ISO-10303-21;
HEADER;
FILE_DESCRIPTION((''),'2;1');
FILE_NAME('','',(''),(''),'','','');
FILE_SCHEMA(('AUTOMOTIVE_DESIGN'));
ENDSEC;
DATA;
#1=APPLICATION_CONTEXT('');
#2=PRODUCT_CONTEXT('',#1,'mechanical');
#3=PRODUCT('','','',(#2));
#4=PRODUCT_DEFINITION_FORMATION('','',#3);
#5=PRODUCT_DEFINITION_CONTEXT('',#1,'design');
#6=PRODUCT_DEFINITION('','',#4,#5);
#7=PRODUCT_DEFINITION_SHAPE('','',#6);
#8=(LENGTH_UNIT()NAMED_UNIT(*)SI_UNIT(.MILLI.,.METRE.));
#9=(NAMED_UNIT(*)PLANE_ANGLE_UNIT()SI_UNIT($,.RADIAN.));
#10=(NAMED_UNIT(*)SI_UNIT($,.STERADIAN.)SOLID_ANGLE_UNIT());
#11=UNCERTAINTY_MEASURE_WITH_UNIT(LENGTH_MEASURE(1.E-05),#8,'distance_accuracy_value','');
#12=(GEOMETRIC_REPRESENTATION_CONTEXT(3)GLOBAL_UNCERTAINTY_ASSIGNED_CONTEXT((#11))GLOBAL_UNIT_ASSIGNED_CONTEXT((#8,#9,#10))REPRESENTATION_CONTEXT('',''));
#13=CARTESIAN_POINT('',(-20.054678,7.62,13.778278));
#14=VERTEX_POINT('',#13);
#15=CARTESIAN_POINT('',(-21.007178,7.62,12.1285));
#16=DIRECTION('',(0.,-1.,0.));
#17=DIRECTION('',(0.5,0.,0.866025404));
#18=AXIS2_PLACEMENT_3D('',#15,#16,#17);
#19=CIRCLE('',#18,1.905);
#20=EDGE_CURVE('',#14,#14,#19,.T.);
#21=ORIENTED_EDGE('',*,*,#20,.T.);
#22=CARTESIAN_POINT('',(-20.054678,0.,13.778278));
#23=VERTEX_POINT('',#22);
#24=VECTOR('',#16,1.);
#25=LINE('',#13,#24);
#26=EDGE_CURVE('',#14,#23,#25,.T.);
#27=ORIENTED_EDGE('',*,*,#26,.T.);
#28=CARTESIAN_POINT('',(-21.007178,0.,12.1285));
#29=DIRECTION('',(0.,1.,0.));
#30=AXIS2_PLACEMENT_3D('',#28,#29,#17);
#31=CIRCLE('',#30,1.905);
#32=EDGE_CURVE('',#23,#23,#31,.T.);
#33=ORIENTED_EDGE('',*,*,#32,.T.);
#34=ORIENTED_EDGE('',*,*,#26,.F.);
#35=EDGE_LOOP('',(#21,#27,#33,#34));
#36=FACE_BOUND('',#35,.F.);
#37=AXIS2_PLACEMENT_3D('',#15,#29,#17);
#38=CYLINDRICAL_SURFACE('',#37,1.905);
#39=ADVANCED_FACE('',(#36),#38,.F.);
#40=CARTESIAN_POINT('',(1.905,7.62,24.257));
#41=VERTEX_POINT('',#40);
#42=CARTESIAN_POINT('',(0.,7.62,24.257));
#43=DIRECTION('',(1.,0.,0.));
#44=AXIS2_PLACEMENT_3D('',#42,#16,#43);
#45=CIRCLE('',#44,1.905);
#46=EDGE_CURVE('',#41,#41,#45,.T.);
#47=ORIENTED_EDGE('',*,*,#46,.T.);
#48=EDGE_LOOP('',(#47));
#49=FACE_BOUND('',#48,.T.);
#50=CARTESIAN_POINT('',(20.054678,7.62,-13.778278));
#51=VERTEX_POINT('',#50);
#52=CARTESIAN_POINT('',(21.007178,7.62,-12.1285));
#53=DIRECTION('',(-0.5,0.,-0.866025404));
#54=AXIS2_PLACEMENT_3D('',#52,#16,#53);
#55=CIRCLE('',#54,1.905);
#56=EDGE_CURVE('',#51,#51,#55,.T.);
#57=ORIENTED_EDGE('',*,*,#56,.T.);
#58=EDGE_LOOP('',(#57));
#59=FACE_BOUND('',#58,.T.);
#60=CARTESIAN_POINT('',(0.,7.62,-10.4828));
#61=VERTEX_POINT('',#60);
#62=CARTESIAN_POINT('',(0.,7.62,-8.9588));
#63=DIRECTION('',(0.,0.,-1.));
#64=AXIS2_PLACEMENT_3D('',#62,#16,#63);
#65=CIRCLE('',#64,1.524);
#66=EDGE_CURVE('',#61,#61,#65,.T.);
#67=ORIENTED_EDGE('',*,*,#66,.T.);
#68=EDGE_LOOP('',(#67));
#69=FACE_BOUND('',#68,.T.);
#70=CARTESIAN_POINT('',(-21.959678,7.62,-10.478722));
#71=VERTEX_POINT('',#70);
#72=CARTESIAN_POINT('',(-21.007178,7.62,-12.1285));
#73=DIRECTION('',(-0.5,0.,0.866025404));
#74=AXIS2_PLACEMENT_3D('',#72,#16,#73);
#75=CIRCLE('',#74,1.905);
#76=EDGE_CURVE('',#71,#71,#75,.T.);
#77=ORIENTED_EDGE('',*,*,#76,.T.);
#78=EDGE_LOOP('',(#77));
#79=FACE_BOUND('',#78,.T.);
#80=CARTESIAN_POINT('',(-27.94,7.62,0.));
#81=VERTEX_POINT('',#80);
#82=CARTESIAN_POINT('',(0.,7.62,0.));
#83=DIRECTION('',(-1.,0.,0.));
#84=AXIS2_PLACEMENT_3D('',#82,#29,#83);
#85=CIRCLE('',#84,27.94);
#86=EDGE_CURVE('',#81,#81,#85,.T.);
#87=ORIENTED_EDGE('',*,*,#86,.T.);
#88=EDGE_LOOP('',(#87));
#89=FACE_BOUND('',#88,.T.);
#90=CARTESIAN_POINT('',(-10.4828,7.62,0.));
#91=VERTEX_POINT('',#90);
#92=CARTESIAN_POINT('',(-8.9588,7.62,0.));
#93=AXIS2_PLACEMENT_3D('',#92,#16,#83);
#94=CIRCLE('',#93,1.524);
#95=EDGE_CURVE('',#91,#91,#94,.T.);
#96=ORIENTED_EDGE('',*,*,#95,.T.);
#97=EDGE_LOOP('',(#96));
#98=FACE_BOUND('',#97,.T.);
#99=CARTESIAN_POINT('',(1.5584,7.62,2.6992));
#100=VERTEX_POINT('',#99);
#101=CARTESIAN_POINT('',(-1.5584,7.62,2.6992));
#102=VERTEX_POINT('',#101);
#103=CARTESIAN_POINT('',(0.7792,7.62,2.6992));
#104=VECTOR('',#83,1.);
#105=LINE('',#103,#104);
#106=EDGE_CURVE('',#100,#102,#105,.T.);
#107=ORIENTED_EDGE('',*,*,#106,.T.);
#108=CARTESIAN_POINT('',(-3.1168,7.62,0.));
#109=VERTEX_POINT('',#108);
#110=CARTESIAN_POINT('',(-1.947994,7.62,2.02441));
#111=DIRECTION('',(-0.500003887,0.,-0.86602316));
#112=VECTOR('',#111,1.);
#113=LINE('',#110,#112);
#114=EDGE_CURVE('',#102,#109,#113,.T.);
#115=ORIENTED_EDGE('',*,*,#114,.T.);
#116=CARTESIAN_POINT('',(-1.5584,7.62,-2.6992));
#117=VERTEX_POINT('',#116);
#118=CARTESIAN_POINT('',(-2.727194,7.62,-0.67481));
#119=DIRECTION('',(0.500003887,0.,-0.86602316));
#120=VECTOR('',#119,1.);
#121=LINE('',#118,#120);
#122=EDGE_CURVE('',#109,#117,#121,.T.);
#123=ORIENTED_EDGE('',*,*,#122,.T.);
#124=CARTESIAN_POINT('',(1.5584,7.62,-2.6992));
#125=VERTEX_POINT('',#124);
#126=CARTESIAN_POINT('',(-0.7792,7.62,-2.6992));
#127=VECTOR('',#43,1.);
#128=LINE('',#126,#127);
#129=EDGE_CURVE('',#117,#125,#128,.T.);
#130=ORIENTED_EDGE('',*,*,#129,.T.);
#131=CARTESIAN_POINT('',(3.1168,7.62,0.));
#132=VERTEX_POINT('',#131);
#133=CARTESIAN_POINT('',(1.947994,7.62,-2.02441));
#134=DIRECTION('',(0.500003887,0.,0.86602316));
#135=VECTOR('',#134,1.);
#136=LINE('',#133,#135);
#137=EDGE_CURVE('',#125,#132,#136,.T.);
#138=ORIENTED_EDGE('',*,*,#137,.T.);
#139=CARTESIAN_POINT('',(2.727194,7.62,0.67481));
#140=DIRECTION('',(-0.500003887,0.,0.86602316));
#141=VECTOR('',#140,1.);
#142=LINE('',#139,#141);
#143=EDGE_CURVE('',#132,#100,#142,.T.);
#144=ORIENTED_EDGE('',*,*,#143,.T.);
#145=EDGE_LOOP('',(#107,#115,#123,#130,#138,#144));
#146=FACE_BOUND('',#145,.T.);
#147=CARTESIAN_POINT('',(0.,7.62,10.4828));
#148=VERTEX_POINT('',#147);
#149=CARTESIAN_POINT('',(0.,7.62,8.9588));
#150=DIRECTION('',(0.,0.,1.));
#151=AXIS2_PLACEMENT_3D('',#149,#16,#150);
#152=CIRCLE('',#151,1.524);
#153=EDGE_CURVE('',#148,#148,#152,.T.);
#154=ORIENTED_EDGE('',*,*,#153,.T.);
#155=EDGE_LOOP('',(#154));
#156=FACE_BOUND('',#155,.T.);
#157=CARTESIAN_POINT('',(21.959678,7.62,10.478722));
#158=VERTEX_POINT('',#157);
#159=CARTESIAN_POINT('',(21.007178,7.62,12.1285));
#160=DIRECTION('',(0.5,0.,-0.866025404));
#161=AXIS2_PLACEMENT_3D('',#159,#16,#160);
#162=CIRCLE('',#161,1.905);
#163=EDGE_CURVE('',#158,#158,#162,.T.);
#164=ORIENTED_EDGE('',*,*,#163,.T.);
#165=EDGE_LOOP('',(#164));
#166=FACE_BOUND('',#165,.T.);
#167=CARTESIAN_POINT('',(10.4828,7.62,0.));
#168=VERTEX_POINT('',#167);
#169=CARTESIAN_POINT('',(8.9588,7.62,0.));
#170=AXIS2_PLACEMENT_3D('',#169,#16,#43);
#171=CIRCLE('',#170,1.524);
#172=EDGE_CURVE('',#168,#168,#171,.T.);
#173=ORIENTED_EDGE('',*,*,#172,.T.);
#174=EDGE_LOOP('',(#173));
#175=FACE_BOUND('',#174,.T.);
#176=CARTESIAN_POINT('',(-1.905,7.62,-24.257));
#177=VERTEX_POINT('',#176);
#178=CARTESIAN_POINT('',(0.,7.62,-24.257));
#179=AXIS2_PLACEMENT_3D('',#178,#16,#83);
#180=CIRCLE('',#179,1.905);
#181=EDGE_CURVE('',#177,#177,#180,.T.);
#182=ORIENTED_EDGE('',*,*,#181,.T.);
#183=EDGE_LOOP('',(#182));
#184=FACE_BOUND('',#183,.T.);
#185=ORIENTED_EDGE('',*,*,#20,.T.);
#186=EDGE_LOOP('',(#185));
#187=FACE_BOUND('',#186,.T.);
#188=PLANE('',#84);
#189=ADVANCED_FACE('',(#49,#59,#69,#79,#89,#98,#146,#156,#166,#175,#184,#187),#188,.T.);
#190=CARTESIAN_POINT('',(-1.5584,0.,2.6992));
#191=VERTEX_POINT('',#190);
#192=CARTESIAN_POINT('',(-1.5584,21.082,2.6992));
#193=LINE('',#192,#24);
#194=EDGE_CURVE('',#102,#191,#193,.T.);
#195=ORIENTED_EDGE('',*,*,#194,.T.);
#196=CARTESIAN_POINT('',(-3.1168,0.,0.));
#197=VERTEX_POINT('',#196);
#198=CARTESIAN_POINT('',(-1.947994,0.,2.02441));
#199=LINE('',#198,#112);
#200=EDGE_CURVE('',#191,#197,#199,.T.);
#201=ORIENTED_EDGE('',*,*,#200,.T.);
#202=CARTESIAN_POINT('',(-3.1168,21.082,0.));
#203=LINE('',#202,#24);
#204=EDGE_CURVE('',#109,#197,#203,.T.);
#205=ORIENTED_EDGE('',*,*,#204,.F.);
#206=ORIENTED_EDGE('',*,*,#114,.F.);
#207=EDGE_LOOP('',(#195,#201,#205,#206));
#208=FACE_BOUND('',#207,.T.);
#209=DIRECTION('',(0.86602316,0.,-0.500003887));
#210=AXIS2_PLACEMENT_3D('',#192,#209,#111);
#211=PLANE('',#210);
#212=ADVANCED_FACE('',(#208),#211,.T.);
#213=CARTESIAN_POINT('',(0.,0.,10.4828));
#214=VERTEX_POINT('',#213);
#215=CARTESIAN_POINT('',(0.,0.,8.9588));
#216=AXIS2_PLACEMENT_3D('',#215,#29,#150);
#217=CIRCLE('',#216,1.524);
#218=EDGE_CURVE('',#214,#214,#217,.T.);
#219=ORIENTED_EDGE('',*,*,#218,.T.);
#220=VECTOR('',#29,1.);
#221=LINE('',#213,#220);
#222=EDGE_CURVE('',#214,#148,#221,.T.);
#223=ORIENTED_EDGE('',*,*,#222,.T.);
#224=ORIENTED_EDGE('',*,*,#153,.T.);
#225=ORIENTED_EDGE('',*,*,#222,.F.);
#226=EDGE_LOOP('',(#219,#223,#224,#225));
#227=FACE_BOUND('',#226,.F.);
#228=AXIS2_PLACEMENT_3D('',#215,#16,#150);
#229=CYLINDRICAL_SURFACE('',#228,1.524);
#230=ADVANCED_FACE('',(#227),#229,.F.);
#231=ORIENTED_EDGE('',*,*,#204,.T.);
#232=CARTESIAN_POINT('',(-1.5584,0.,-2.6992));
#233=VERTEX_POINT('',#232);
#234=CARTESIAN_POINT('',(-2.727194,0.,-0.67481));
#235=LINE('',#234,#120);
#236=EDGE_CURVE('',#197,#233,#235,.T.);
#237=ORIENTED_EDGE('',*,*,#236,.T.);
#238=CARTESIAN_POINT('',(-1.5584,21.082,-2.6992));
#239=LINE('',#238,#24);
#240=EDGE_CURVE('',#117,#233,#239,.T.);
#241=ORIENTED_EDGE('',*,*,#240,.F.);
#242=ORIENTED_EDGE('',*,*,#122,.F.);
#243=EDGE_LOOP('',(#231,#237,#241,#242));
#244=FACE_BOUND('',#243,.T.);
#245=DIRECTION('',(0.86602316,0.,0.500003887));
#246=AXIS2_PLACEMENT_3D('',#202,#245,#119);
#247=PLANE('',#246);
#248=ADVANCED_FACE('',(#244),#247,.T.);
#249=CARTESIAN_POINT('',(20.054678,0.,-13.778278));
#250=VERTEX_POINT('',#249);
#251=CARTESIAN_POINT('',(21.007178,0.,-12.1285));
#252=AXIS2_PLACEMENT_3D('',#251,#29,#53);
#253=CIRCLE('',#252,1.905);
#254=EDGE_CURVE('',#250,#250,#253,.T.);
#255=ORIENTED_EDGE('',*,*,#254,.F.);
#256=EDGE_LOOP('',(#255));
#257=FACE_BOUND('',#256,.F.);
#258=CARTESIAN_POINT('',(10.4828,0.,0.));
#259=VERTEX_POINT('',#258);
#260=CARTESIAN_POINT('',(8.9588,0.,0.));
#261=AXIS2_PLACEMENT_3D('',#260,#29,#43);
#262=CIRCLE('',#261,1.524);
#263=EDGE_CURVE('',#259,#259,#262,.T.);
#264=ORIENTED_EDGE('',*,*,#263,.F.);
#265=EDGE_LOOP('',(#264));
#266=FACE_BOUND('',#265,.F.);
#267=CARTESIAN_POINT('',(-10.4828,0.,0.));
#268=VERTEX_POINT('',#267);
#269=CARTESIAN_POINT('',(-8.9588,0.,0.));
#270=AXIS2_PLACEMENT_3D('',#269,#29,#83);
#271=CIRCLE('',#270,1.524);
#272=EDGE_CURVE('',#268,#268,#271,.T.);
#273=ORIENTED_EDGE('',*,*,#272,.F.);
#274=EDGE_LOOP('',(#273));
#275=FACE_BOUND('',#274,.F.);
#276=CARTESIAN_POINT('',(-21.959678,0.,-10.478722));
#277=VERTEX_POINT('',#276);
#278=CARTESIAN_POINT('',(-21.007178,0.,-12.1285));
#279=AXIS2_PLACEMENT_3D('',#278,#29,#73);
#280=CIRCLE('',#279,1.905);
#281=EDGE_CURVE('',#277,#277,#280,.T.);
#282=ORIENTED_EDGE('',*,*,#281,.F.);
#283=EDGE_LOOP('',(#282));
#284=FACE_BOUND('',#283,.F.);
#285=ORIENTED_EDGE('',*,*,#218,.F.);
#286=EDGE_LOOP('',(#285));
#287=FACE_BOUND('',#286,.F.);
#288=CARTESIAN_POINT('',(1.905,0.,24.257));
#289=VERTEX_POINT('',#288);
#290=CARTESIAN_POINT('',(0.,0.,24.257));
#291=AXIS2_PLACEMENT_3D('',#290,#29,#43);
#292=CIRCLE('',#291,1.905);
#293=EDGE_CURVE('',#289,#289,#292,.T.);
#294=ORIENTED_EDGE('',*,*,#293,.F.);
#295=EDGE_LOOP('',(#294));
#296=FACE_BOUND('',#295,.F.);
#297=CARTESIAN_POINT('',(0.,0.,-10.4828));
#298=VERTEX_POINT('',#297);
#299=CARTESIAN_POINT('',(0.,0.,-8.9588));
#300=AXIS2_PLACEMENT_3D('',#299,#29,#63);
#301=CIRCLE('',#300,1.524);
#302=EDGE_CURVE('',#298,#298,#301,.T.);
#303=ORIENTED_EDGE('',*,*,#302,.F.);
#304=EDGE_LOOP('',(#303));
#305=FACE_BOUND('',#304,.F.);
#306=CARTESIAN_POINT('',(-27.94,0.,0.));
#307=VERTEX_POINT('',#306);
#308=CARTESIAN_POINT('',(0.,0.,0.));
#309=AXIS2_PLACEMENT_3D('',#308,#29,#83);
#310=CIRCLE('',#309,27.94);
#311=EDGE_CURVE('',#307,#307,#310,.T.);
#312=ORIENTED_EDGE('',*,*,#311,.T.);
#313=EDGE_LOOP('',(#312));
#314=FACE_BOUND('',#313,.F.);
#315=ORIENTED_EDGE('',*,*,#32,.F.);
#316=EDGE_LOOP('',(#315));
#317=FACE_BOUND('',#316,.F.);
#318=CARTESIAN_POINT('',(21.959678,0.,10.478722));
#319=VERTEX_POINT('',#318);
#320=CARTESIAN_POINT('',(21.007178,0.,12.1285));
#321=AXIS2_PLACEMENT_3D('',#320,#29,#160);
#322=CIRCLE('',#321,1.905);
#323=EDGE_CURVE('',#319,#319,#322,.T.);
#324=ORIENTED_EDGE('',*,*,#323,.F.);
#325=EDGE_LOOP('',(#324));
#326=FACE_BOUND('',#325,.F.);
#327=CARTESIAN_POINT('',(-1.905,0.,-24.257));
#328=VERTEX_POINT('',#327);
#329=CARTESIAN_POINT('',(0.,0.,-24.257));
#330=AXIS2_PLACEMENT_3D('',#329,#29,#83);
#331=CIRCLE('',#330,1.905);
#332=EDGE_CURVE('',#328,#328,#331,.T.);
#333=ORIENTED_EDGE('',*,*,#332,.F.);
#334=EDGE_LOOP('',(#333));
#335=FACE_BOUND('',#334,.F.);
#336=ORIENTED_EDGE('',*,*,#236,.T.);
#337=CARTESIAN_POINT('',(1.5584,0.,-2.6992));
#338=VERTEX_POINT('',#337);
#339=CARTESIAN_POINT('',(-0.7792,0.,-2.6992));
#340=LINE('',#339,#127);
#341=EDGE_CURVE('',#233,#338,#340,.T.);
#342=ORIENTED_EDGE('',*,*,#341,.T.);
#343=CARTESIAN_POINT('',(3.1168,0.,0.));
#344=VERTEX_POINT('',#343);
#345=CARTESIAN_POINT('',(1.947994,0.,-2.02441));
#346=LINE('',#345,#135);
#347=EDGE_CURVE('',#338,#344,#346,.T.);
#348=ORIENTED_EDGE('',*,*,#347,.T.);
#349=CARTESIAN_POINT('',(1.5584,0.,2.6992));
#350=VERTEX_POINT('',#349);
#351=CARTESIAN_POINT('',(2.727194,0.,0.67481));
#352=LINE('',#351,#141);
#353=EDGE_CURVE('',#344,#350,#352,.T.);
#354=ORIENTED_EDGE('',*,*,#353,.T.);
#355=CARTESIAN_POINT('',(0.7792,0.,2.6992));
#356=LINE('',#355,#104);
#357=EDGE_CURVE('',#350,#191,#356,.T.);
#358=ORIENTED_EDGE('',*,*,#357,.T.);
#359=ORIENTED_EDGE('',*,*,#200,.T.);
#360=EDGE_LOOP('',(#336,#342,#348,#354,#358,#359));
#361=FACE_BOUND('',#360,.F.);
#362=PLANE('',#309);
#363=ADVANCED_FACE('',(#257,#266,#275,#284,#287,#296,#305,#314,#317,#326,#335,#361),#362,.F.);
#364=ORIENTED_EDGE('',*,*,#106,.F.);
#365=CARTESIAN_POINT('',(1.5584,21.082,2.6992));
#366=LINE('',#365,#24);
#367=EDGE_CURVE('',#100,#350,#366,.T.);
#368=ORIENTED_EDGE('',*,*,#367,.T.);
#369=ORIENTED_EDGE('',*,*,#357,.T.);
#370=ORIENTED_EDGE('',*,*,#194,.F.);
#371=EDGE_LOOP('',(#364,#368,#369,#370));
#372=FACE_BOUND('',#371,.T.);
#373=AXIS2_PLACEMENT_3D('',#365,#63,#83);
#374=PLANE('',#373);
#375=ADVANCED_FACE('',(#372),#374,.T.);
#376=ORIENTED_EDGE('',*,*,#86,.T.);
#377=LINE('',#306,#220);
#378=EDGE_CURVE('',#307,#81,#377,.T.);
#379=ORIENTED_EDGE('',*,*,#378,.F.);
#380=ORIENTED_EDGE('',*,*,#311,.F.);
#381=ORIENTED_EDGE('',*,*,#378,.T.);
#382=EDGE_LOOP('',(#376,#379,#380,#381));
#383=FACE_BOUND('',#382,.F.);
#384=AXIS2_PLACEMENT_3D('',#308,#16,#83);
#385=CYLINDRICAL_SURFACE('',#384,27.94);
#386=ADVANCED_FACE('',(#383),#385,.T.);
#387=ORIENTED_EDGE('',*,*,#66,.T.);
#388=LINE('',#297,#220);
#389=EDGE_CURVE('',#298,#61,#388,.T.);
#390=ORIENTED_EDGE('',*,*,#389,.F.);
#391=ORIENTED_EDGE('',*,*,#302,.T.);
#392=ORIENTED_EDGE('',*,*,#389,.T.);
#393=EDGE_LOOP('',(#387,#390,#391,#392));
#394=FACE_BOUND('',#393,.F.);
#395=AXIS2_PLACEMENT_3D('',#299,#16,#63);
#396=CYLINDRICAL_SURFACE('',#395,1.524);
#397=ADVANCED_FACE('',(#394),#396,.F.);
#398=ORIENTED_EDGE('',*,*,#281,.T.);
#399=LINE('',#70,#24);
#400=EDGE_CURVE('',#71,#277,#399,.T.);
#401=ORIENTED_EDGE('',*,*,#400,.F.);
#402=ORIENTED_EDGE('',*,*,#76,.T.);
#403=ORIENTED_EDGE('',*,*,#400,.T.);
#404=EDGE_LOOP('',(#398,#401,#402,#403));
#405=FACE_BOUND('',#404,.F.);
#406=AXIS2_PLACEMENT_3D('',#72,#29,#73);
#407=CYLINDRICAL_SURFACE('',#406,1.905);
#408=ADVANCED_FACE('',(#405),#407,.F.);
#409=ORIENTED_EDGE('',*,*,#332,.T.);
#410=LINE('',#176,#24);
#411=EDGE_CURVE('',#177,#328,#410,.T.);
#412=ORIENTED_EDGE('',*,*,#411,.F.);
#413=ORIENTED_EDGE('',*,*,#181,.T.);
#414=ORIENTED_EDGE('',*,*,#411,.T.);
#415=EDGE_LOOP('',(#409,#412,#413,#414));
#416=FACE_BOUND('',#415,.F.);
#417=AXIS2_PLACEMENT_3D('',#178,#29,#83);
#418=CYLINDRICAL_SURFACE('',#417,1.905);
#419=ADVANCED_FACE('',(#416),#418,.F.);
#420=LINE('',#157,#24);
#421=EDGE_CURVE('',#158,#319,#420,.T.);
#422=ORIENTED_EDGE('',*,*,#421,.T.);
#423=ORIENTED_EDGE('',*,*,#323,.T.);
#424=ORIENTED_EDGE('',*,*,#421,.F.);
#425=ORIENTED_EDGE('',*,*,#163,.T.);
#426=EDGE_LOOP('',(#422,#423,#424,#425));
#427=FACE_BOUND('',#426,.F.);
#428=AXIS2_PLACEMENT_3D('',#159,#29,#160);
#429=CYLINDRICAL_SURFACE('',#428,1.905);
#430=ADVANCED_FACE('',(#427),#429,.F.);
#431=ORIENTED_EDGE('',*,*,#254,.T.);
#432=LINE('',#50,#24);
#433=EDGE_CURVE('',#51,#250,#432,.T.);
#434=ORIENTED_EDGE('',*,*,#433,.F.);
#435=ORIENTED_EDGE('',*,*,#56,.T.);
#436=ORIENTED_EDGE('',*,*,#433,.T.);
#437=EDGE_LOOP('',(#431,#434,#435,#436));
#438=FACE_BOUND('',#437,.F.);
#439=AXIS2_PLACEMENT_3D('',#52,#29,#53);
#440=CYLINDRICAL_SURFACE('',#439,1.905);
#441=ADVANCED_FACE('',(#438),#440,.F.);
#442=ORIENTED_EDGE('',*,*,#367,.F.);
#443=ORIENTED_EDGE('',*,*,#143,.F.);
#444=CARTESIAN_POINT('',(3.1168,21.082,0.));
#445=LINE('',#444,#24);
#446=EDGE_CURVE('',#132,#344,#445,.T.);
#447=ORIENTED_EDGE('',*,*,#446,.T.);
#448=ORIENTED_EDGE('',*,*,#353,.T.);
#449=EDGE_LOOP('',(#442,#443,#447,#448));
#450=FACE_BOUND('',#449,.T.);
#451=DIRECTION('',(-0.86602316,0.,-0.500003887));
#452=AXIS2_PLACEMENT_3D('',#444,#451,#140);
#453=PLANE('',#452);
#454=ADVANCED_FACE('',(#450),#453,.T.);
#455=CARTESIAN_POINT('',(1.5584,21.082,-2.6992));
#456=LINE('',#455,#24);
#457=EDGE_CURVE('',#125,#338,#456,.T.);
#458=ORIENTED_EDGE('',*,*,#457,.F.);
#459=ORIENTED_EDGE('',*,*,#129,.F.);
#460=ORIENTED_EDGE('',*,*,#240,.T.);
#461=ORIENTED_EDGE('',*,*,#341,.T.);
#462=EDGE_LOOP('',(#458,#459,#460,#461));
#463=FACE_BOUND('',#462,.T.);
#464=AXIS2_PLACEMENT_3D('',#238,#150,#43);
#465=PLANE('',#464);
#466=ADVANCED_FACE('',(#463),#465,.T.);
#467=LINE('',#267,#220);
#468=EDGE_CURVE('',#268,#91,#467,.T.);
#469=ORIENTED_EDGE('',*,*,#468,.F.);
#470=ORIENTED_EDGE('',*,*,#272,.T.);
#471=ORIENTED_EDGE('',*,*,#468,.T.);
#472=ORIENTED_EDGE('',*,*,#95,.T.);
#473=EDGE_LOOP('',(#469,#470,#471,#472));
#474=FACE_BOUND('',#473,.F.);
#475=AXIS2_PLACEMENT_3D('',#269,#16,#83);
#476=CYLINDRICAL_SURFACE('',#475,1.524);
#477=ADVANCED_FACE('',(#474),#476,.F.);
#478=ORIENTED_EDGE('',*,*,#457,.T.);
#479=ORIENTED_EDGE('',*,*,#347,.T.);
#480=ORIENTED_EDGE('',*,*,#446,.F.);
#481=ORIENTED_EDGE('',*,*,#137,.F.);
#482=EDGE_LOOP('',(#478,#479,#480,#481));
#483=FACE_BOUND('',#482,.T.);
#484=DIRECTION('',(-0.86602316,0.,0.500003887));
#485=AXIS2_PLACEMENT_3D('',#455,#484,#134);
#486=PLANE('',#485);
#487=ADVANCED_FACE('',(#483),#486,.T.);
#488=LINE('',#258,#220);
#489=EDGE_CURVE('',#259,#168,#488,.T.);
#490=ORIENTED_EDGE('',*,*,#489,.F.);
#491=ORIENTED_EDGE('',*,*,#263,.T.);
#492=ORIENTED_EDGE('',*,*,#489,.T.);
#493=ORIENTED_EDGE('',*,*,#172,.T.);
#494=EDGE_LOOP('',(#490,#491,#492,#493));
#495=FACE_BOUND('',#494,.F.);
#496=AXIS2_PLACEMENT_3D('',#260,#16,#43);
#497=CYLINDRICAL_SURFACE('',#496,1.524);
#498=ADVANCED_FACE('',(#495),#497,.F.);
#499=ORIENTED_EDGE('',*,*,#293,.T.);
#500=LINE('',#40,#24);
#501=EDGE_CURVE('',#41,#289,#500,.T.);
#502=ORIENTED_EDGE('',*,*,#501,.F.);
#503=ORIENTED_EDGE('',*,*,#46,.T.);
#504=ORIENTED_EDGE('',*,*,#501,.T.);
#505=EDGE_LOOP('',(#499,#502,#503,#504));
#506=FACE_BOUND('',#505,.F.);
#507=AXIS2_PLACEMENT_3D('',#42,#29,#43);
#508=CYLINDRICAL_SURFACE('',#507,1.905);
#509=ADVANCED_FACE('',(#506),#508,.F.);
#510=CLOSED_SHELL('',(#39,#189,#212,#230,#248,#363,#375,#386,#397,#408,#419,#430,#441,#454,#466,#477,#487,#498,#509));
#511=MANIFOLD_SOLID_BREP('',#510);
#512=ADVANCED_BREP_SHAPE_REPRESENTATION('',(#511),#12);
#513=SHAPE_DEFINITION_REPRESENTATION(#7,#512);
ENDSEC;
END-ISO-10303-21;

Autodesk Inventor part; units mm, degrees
ref_plane "YZ Plane" through (0, 0, 0) normal (1, 0, 0) x (0, 1, 0)
ref_plane "XZ Plane" through (0, 0, 0) normal (0, 1, 0) x (-1, 0, 0)
ref_plane "XY Plane" through (0, 0, 0) normal (0, 0, 1) x (1, 0, 0)
sketch "Sketch1" plane through (0, 0, 0) normal (0, 1, 0) x (-1, 0, 0)
  circle A0 centre (0, 0) radius 27.94
  dimension "d0" = 55.88
extrude "Extrusion1" add sketch "Sketch1" along normal blind 7.62
ref_plane "Work Plane5" through (0, 21.082, 0) normal (0, 1, 0) x (1, 0, 0)
sketch "Sketch5" plane through (0, 21.082, 0) normal (0, 1, 0) x (1, 0, 0)
  line L0 (0, 0) -> (0, 2.667)
  line L1 (-3.1168, 0) -> (-1.5584, 2.6992)
  line L2 (-1.5584, 2.6992) -> (1.5584, 2.6992)
  line L3 (1.5584, 2.6992) -> (3.1168, 0)
  line L4 (3.1168, 0) -> (1.5584, -2.6992)
  line L5 (1.5584, -2.6992) -> (-1.5584, -2.6992)
  line L6 (-1.5584, -2.6992) -> (-3.1168, 0)
  dimension "d10" = 2.667
extrude "Extrusion4" cut sketch "Sketch5" against normal blind 25.4
sketch "Sketch6" plane through (0, 7.62, 0) normal (0, 1, 0) x (1, 0, 0)
  circle A0 centre (0, 0) radius 27.94 projected
  line L0 (0, -27.94) -> (0, -26.162)
  line L1 (0, -26.162) -> (0, -24.257)
  circle A1 centre (0, -24.257) radius 1.905
  dimension "d13" = 1.778
  dimension "d14" = 1.905
extrude "Extrusion5" cut sketch "Sketch6" against normal blind 25.4 contours A1
ref_plane "Work Plane6" through (0, 21.082, 0) normal (0, 1, 0) x (1, 0, 0)
pattern_circular "Circular Pattern1" count 6 over 360 about axis through (0, 21.082, 0) along (0, 1, 0) of "Extrusion5"
sketch "Sketch8" plane through (0, 0, 0) normal (0, -1, 0) x (1, 0, 0)
  line L0 (3.1168, 0) -> (1.5584, -2.6992) projected
  line L1 (3.1168, 0) -> (7.4348, 0)
  line L2 (7.4348, 0) -> (8.9588, 0)
  circle A0 centre (8.9588, 0) radius 1.524
  point P0 (0, 0)
  dimension "d20" = 4.318
  dimension "d21" = 1.524
extrude "Extrusion6" cut sketch "Sketch8" against normal blind 25.4
pattern_circular "Circular Pattern2" count 4 over 360 about axis through (0, 21.082, 0) along (0, 1, 0) of "Extrusion6"
properties part number "Wheel Mount"
